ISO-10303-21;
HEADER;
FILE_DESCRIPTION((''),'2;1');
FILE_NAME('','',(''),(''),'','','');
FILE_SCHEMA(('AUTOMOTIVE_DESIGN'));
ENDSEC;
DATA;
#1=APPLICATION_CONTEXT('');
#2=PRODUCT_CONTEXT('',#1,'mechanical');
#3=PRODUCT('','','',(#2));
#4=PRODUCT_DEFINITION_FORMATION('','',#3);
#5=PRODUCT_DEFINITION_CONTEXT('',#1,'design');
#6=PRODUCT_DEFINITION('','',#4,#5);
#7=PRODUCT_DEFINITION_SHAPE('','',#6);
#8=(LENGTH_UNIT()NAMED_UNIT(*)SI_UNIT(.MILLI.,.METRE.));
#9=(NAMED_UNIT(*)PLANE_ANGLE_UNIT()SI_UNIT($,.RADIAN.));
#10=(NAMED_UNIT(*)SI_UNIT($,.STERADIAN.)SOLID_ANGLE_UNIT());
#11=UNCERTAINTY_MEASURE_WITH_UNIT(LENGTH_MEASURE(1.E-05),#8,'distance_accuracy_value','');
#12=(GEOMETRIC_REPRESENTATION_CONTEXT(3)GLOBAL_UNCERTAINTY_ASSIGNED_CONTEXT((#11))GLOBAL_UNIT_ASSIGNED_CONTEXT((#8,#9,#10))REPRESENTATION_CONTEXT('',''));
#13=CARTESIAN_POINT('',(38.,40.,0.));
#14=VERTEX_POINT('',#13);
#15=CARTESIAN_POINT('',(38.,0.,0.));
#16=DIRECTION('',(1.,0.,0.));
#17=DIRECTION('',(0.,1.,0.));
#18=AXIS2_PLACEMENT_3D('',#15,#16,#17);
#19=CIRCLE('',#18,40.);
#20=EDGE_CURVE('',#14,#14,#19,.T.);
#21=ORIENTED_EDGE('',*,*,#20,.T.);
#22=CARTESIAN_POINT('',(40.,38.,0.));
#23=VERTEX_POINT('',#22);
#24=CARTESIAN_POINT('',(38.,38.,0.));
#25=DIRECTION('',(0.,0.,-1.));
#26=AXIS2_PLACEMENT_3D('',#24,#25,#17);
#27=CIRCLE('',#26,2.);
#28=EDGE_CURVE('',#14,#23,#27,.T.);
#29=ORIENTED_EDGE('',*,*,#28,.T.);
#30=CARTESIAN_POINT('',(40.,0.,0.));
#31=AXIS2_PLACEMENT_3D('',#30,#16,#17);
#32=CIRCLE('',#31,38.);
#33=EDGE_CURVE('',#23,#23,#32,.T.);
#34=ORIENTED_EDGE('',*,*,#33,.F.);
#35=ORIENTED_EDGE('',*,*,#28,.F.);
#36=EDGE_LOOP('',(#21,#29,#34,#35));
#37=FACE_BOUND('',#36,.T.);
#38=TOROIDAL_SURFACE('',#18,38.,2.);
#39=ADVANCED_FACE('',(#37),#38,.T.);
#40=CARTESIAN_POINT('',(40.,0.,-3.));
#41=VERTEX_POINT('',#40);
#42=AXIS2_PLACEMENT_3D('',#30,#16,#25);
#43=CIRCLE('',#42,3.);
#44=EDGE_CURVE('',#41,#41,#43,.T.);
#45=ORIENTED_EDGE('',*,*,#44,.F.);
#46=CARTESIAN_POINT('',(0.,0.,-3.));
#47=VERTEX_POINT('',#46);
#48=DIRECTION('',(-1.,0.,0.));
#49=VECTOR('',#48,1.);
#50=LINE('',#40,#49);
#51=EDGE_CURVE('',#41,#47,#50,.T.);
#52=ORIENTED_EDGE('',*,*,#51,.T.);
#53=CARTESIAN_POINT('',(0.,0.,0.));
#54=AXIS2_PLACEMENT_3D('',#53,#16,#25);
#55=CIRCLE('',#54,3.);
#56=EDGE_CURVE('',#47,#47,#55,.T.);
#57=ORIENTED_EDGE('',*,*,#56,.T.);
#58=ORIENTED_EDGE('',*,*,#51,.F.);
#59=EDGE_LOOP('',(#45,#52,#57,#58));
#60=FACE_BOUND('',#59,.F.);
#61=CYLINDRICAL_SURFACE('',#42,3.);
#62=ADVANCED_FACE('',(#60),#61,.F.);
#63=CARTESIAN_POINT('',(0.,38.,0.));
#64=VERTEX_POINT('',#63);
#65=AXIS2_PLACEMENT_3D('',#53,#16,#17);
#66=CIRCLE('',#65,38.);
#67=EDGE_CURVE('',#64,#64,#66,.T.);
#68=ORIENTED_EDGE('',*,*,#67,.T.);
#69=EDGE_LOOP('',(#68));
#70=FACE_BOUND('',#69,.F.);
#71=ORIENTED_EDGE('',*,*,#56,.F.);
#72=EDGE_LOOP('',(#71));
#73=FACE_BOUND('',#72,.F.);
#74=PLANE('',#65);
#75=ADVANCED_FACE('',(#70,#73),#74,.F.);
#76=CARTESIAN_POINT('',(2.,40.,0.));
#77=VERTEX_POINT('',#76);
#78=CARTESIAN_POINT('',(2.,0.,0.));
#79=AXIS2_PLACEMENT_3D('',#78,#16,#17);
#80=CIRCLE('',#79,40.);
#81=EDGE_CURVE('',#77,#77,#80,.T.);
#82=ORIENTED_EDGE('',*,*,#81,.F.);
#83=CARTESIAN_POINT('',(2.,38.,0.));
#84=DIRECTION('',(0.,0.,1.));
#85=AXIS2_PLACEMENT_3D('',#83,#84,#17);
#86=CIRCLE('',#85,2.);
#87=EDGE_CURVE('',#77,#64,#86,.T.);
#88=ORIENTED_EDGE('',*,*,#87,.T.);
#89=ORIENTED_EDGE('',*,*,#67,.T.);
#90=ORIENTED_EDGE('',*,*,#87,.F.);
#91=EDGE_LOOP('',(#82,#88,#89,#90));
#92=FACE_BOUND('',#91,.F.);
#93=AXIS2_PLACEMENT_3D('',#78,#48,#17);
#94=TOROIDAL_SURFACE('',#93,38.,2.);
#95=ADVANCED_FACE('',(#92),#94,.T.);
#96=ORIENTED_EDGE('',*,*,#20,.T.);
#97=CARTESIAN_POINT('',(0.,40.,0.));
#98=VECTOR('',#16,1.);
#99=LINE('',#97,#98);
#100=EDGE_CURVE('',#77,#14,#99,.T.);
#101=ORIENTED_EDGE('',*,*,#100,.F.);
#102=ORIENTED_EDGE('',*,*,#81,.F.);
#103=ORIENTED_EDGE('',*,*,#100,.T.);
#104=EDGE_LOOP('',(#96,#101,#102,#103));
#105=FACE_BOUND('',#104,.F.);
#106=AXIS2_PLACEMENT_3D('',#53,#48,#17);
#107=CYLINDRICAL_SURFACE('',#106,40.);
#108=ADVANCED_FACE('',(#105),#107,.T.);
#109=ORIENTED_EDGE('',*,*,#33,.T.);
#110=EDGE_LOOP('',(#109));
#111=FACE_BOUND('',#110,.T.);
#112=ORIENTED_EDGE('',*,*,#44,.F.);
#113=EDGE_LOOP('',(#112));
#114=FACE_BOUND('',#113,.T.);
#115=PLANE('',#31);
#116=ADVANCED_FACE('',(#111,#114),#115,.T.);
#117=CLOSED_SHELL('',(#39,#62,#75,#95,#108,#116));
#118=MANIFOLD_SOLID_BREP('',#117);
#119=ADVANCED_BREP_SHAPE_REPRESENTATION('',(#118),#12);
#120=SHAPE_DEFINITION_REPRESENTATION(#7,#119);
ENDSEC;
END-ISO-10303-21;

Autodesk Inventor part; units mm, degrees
ref_plane "YZ Plane" through (0, 0, 0) normal (1, 0, 0) x (0, 1, 0)
ref_plane "XZ Plane" through (0, 0, 0) normal (0, 1, 0) x (-1, 0, 0)
ref_plane "XY Plane" through (0, 0, 0) normal (0, 0, 1) x (1, 0, 0)
sketch "草图1" plane through (0, 0, 0) normal (1, 0, 0) x (0, 1, 0)
  circle A0 centre (0, 0) radius 40
  dimension "d0" = 80
extrude "拉伸1" add sketch "草图1" along normal blind 40
sketch "草图2" plane through (40, 0, 0) normal (1, 0, 0) x (0, 0, -1)
  circle A0 centre (0, 0) radius 3
  dimension "d3" = 6
extrude "拉伸2" cut sketch "草图2" against normal through all
fillet "圆角1" radius 2 1 edges at (0, -40, 0)
fillet "圆角2" radius 2 1 edges at (40, -40, 0)
properties part number "轮子"
